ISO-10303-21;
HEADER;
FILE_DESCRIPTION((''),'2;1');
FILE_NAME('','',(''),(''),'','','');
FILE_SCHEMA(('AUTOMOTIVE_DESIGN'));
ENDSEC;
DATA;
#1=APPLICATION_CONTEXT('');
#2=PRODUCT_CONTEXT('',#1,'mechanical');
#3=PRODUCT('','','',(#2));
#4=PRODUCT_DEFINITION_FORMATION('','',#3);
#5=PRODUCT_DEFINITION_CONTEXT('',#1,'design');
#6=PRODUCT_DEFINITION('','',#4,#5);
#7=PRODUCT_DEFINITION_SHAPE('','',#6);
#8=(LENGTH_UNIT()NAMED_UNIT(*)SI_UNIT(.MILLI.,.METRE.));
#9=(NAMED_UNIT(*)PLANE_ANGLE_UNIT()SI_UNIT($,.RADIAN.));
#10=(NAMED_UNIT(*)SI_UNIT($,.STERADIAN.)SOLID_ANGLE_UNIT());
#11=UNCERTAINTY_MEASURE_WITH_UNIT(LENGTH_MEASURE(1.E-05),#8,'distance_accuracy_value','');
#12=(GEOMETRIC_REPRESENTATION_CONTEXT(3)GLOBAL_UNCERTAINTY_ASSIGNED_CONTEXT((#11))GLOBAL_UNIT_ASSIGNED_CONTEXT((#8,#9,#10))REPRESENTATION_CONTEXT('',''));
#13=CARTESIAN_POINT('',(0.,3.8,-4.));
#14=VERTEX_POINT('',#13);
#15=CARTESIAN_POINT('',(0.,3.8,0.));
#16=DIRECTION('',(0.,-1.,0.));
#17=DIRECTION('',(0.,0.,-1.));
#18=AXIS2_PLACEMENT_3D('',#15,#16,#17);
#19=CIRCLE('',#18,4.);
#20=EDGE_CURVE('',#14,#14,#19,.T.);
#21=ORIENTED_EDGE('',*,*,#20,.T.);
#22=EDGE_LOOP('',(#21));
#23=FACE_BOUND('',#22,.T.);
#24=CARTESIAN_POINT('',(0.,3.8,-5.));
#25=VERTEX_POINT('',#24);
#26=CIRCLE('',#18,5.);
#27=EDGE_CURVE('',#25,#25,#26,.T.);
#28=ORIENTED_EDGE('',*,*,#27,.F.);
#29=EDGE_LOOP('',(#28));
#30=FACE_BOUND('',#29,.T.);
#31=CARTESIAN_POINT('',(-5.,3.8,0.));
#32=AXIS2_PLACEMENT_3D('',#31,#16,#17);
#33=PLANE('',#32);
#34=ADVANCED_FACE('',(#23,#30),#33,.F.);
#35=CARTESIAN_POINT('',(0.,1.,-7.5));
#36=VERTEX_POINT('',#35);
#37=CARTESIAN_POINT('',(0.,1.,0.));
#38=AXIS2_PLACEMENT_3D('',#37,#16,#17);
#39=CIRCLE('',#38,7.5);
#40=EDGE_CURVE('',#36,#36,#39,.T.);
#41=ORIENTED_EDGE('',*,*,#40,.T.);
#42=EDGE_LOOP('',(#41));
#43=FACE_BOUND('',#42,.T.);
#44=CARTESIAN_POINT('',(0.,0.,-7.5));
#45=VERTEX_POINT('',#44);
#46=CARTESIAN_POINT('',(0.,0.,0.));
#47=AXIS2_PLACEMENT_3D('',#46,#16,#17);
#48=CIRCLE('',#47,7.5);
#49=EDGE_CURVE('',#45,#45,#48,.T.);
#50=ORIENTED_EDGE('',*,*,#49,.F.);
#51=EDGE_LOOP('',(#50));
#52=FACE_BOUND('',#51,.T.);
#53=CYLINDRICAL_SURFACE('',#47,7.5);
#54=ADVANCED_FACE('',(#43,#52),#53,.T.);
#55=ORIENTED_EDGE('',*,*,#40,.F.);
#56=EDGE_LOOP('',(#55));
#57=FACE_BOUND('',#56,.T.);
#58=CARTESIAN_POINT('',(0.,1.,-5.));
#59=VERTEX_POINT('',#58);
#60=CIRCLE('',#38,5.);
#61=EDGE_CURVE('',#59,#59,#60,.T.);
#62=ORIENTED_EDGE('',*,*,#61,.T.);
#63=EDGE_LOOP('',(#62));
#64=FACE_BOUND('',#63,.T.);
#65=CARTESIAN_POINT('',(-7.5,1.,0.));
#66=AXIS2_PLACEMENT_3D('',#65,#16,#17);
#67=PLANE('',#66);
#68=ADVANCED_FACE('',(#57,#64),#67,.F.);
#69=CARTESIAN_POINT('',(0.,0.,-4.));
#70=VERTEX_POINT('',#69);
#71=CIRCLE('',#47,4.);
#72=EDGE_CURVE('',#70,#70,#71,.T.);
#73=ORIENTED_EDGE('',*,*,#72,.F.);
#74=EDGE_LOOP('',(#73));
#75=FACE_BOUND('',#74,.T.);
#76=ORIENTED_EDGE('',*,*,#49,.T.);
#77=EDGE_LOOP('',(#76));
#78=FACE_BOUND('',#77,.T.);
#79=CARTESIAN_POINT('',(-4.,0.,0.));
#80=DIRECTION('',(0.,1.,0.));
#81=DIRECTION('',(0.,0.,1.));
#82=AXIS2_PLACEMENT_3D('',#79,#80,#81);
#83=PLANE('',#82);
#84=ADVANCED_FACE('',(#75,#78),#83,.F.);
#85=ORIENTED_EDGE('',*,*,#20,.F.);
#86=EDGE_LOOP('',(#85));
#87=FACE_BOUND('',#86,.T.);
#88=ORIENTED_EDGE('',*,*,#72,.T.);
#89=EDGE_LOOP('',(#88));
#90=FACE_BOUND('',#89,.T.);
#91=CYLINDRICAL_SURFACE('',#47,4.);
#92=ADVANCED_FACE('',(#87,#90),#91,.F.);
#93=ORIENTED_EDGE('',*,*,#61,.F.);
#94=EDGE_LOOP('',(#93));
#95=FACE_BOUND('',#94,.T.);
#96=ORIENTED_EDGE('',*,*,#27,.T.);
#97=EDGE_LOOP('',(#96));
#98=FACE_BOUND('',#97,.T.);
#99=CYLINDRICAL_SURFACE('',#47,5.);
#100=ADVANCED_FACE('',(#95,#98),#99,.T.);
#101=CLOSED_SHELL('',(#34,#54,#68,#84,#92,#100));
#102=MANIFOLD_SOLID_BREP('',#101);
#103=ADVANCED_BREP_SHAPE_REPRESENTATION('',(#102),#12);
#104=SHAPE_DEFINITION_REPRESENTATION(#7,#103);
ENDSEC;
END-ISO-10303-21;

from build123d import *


with BuildPart() as part:
    # Croquis1 → Revolución1 (revolve)
    with BuildSketch(Plane.XY, mode=Mode.PRIVATE) as revoluci_n1_sk:
        Polygon((-4, 3.8), (-4, 0), (-7.5, 0), (-7.5, 1), (-5, 1), (-5, 3.8), align=None)
    revolve(revoluci_n1_sk.sketch.rotate(Axis((0, 0, 0), (0, 1, 0)), 270), axis=Axis((0, 0, 0), (0, 1, 0)))


solid = part.part
